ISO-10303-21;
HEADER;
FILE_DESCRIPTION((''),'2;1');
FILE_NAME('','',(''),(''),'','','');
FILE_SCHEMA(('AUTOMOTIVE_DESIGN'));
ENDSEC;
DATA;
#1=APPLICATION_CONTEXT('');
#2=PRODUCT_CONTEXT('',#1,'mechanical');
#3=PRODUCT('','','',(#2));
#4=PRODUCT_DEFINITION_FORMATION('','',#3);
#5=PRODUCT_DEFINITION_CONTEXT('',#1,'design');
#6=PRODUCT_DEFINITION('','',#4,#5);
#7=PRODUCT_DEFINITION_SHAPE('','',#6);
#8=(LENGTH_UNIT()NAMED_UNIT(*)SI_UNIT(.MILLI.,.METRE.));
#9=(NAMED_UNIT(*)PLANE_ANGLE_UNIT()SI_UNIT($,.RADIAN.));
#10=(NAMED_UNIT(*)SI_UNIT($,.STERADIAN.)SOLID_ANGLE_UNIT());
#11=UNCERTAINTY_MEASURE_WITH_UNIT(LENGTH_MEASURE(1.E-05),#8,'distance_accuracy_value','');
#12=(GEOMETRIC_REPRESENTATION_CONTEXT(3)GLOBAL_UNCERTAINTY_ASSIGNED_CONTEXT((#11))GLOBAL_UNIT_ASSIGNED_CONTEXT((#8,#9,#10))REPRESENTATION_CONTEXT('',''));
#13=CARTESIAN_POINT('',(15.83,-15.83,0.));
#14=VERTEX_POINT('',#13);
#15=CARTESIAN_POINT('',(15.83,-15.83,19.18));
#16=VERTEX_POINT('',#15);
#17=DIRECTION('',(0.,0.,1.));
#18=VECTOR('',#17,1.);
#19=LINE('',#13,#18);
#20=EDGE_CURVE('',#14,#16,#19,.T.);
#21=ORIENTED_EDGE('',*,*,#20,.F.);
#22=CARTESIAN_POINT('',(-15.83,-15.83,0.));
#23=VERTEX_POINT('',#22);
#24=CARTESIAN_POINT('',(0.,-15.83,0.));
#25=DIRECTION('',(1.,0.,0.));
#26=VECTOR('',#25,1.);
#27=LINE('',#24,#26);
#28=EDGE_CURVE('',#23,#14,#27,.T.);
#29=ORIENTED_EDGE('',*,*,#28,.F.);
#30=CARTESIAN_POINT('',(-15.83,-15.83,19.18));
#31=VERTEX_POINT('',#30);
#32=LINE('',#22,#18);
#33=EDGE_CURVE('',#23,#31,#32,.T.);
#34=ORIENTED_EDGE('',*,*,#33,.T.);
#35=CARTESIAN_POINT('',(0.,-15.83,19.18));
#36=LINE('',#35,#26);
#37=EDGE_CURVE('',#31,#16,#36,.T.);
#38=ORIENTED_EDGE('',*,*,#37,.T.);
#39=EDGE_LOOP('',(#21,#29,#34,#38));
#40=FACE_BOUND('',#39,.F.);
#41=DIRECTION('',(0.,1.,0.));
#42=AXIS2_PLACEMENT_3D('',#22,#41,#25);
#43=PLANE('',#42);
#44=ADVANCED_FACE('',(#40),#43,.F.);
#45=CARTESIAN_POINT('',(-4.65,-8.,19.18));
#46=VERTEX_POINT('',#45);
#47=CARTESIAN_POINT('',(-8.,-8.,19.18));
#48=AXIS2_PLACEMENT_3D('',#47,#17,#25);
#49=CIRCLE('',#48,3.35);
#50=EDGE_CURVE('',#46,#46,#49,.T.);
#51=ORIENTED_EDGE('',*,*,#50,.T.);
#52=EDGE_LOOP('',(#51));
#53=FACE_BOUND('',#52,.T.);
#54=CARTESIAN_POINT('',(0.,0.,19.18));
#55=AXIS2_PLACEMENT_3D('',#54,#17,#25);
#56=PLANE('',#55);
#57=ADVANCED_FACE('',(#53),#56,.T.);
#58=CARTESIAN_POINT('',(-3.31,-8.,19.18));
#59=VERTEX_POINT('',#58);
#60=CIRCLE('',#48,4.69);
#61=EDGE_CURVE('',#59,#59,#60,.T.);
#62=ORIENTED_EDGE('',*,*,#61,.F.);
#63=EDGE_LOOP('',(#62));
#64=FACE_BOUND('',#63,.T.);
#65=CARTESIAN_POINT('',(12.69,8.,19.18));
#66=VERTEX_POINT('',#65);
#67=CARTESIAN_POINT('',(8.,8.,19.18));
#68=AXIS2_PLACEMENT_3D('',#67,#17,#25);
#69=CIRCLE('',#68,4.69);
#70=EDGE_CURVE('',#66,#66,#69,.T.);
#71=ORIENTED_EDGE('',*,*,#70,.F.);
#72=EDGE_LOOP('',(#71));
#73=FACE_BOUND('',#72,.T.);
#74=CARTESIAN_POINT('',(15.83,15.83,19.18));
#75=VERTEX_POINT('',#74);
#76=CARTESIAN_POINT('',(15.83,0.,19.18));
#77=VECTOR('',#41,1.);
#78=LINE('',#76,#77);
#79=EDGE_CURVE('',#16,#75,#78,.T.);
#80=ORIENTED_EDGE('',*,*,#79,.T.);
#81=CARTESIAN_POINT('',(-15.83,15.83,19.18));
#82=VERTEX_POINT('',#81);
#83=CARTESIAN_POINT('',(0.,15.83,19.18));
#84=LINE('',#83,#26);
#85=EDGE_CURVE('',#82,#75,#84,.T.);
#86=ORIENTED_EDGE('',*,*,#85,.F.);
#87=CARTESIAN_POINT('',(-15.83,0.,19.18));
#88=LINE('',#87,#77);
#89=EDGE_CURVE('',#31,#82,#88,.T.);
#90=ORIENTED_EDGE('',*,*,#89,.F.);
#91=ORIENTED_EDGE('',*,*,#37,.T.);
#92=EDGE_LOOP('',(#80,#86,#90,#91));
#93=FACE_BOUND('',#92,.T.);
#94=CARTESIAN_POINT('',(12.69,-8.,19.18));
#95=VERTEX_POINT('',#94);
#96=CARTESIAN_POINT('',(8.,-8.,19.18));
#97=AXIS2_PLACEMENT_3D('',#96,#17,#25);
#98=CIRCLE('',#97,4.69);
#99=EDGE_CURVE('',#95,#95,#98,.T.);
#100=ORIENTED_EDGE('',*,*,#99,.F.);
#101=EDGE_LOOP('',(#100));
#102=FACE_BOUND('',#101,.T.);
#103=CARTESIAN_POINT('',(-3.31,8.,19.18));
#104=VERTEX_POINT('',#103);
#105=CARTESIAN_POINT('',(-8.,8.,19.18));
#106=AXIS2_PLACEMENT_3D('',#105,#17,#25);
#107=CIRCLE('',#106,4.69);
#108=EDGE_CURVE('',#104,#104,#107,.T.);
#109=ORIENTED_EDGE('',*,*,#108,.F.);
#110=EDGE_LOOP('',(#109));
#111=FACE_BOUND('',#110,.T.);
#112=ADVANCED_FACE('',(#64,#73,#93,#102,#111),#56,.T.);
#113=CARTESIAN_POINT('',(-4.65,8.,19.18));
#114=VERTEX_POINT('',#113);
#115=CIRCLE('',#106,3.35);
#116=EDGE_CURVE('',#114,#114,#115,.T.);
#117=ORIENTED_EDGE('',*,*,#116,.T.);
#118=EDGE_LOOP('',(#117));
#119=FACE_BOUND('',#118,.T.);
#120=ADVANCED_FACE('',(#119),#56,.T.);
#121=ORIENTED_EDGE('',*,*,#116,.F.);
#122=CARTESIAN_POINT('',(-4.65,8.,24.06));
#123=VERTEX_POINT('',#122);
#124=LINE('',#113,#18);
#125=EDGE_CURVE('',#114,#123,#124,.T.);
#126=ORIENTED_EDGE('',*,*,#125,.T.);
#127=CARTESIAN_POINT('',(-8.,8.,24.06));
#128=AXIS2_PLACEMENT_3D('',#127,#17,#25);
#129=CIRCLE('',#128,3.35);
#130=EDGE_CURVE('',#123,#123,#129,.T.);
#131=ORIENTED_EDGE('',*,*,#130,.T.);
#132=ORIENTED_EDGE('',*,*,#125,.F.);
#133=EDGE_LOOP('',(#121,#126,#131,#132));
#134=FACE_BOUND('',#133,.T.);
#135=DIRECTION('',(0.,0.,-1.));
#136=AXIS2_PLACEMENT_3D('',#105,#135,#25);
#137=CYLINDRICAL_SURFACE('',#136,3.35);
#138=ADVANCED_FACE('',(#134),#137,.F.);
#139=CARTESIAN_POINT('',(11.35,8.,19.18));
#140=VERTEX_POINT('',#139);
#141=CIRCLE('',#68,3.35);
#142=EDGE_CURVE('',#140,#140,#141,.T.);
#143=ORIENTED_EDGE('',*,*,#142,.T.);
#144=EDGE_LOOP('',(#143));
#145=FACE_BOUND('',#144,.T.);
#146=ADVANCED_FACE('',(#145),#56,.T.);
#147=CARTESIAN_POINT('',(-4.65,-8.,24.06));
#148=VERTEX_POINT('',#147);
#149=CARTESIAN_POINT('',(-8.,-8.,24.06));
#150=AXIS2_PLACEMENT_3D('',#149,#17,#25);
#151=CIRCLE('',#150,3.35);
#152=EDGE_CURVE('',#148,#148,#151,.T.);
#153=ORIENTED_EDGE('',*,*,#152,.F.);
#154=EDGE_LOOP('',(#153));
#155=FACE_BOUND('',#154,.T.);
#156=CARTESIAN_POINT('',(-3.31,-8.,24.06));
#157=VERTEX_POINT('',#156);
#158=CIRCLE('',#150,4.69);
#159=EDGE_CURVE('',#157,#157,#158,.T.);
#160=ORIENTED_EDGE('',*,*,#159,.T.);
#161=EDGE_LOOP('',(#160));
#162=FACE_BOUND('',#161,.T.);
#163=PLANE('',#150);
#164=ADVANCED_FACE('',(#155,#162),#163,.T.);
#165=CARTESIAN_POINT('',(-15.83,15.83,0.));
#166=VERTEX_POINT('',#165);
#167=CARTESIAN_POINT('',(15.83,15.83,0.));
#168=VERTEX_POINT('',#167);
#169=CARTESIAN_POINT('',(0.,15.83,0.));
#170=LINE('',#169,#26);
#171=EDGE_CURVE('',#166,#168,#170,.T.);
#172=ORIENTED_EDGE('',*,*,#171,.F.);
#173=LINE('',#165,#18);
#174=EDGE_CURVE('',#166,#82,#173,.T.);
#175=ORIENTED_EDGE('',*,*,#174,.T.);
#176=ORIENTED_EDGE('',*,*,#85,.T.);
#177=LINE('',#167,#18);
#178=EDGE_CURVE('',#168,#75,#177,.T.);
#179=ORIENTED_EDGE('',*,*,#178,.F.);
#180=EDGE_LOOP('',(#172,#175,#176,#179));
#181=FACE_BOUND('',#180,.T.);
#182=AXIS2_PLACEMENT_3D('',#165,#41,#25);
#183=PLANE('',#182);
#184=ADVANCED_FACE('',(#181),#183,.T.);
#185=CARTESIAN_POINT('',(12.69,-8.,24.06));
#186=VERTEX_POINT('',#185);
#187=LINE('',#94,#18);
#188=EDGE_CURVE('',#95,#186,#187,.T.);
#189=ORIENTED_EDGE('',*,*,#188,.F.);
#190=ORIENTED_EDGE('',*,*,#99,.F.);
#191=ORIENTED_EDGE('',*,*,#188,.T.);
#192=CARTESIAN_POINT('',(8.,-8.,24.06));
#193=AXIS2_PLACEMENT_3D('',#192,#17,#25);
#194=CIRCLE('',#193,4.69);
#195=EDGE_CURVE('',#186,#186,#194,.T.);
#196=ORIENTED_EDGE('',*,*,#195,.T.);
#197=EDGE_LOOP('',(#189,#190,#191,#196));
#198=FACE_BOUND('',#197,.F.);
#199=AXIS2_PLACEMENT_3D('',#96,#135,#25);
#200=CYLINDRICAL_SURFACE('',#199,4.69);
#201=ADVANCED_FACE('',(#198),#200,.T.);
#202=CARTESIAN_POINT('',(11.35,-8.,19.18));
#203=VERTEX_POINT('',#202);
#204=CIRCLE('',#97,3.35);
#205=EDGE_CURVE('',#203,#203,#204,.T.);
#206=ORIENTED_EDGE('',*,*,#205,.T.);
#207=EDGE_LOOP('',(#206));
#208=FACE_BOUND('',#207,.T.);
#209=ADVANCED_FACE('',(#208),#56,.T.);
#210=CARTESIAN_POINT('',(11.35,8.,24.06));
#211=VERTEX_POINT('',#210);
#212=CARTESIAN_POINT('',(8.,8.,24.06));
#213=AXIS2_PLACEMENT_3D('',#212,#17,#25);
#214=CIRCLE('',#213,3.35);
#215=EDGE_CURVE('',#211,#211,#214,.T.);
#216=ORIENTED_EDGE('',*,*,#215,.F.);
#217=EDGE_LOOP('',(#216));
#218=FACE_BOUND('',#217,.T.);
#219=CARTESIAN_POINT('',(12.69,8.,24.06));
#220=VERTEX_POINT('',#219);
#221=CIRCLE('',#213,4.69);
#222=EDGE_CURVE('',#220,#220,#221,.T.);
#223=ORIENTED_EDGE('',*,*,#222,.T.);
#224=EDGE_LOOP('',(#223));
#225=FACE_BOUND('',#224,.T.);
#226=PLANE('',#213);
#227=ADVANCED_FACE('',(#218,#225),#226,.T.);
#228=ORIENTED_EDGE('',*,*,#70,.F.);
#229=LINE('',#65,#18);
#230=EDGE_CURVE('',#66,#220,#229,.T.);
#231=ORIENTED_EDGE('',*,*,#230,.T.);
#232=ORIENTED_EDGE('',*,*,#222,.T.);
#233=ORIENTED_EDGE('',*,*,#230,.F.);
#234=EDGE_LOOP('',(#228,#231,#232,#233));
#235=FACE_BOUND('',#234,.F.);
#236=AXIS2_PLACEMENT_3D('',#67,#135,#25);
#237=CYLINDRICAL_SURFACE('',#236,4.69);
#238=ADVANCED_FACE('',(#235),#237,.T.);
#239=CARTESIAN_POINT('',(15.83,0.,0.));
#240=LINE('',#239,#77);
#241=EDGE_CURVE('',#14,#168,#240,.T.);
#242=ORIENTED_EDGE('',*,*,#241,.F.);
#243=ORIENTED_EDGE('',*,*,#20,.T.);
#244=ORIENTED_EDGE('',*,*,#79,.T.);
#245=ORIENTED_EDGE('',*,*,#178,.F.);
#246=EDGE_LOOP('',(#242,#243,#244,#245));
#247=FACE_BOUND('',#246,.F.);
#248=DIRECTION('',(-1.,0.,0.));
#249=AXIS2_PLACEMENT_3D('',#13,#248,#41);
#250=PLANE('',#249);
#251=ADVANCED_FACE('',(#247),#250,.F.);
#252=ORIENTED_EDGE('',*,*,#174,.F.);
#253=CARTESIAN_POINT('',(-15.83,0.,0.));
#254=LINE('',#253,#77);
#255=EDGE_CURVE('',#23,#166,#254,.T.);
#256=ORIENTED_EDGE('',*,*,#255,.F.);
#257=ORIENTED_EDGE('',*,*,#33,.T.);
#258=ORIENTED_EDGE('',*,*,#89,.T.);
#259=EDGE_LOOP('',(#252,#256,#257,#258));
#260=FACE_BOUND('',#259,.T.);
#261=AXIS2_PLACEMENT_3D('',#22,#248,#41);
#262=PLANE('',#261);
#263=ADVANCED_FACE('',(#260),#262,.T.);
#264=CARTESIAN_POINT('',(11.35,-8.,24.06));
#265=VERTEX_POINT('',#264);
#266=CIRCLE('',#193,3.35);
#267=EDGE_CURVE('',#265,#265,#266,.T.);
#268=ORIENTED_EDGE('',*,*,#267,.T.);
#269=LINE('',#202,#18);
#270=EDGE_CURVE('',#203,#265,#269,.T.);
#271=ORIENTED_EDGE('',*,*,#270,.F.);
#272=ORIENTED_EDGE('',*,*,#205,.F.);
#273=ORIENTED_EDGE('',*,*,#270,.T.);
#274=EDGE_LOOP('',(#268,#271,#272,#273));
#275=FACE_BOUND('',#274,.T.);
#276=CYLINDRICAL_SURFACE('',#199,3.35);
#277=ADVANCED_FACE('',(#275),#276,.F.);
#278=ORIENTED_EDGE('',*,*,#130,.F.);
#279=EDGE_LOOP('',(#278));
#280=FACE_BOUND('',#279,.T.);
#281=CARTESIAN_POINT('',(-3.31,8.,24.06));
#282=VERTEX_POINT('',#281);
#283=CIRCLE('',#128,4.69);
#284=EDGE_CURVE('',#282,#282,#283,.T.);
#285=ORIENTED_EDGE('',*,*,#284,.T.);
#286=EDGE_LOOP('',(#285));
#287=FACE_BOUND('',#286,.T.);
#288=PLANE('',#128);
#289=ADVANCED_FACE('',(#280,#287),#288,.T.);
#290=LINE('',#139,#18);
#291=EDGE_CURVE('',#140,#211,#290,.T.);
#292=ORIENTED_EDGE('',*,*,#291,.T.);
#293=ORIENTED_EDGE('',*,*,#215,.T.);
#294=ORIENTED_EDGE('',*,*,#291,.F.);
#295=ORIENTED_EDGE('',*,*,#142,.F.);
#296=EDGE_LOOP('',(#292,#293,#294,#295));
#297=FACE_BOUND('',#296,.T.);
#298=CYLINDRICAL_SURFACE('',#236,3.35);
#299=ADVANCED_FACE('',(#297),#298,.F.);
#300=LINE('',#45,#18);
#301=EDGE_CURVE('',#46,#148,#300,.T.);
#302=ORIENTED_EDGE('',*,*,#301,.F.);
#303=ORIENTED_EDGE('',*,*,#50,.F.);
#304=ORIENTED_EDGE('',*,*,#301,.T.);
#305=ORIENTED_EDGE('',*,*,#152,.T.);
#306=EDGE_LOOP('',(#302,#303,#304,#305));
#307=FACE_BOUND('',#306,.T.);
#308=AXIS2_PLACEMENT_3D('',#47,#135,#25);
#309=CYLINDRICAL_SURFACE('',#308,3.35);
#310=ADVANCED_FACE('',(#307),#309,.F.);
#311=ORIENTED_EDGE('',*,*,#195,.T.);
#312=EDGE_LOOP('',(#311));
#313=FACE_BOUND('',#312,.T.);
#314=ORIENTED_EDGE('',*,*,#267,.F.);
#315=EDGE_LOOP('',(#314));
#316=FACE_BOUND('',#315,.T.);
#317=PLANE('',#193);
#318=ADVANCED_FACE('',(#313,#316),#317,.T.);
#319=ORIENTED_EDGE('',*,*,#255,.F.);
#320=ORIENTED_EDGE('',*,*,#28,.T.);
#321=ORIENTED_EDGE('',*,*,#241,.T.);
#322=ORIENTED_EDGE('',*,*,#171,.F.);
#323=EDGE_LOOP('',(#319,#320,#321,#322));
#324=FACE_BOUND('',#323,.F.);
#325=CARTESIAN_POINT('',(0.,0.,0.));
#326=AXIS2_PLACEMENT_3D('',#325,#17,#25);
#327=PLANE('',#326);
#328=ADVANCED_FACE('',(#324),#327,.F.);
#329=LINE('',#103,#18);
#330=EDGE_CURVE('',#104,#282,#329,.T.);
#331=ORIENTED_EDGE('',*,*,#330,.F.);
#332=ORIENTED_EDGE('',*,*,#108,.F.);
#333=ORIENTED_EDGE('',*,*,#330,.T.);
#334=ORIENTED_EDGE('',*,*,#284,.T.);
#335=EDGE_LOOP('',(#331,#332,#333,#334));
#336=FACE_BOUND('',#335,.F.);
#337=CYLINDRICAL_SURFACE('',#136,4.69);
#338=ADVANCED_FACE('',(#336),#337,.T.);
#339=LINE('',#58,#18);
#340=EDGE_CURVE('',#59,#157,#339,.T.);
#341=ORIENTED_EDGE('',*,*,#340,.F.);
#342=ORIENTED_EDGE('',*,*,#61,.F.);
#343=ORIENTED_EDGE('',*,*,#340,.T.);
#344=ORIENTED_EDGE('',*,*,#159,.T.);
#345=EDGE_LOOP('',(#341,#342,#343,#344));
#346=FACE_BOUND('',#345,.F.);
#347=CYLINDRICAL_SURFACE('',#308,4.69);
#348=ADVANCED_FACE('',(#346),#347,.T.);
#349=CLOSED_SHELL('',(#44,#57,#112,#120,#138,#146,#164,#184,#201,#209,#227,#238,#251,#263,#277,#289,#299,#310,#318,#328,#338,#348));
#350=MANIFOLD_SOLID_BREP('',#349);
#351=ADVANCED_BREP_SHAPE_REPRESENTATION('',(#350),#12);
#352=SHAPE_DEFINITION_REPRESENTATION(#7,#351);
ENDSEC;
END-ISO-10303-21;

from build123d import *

# Parameters (mm, degrees)
F0_W     = 31.66
F0_H     = 31.66
F1_DEPTH = 19.18
F2_R     = 4.69
F2_R_2   = 3.35
F3_DEPTH = 4.88


with BuildPart() as f1:
    # F0 (on Top) → F1 (new body)
    with BuildSketch(Plane.XY):
        Rectangle(F0_W, F0_H)
    extrude(amount=F1_DEPTH)

    # F2 (on face) → F3 (join)
    with BuildSketch(Plane.XY.offset(19.18)):
        with Locations((8, 8)):
            Circle(F2_R)
        with Locations((8, 8)):
            Circle(F2_R_2, mode=Mode.SUBTRACT)
        with Locations((-8, 8)):
            Circle(F2_R)
        with Locations((-8, 8)):
            Circle(F2_R_2, mode=Mode.SUBTRACT)
        with Locations((-8, -8)):
            Circle(F2_R)
        with Locations((-8, -8)):
            Circle(F2_R_2, mode=Mode.SUBTRACT)
        with Locations((8, -8)):
            Circle(F2_R)
        with Locations((8, -8)):
            Circle(F2_R_2, mode=Mode.SUBTRACT)
    extrude(amount=F3_DEPTH)


solid = f1.part
